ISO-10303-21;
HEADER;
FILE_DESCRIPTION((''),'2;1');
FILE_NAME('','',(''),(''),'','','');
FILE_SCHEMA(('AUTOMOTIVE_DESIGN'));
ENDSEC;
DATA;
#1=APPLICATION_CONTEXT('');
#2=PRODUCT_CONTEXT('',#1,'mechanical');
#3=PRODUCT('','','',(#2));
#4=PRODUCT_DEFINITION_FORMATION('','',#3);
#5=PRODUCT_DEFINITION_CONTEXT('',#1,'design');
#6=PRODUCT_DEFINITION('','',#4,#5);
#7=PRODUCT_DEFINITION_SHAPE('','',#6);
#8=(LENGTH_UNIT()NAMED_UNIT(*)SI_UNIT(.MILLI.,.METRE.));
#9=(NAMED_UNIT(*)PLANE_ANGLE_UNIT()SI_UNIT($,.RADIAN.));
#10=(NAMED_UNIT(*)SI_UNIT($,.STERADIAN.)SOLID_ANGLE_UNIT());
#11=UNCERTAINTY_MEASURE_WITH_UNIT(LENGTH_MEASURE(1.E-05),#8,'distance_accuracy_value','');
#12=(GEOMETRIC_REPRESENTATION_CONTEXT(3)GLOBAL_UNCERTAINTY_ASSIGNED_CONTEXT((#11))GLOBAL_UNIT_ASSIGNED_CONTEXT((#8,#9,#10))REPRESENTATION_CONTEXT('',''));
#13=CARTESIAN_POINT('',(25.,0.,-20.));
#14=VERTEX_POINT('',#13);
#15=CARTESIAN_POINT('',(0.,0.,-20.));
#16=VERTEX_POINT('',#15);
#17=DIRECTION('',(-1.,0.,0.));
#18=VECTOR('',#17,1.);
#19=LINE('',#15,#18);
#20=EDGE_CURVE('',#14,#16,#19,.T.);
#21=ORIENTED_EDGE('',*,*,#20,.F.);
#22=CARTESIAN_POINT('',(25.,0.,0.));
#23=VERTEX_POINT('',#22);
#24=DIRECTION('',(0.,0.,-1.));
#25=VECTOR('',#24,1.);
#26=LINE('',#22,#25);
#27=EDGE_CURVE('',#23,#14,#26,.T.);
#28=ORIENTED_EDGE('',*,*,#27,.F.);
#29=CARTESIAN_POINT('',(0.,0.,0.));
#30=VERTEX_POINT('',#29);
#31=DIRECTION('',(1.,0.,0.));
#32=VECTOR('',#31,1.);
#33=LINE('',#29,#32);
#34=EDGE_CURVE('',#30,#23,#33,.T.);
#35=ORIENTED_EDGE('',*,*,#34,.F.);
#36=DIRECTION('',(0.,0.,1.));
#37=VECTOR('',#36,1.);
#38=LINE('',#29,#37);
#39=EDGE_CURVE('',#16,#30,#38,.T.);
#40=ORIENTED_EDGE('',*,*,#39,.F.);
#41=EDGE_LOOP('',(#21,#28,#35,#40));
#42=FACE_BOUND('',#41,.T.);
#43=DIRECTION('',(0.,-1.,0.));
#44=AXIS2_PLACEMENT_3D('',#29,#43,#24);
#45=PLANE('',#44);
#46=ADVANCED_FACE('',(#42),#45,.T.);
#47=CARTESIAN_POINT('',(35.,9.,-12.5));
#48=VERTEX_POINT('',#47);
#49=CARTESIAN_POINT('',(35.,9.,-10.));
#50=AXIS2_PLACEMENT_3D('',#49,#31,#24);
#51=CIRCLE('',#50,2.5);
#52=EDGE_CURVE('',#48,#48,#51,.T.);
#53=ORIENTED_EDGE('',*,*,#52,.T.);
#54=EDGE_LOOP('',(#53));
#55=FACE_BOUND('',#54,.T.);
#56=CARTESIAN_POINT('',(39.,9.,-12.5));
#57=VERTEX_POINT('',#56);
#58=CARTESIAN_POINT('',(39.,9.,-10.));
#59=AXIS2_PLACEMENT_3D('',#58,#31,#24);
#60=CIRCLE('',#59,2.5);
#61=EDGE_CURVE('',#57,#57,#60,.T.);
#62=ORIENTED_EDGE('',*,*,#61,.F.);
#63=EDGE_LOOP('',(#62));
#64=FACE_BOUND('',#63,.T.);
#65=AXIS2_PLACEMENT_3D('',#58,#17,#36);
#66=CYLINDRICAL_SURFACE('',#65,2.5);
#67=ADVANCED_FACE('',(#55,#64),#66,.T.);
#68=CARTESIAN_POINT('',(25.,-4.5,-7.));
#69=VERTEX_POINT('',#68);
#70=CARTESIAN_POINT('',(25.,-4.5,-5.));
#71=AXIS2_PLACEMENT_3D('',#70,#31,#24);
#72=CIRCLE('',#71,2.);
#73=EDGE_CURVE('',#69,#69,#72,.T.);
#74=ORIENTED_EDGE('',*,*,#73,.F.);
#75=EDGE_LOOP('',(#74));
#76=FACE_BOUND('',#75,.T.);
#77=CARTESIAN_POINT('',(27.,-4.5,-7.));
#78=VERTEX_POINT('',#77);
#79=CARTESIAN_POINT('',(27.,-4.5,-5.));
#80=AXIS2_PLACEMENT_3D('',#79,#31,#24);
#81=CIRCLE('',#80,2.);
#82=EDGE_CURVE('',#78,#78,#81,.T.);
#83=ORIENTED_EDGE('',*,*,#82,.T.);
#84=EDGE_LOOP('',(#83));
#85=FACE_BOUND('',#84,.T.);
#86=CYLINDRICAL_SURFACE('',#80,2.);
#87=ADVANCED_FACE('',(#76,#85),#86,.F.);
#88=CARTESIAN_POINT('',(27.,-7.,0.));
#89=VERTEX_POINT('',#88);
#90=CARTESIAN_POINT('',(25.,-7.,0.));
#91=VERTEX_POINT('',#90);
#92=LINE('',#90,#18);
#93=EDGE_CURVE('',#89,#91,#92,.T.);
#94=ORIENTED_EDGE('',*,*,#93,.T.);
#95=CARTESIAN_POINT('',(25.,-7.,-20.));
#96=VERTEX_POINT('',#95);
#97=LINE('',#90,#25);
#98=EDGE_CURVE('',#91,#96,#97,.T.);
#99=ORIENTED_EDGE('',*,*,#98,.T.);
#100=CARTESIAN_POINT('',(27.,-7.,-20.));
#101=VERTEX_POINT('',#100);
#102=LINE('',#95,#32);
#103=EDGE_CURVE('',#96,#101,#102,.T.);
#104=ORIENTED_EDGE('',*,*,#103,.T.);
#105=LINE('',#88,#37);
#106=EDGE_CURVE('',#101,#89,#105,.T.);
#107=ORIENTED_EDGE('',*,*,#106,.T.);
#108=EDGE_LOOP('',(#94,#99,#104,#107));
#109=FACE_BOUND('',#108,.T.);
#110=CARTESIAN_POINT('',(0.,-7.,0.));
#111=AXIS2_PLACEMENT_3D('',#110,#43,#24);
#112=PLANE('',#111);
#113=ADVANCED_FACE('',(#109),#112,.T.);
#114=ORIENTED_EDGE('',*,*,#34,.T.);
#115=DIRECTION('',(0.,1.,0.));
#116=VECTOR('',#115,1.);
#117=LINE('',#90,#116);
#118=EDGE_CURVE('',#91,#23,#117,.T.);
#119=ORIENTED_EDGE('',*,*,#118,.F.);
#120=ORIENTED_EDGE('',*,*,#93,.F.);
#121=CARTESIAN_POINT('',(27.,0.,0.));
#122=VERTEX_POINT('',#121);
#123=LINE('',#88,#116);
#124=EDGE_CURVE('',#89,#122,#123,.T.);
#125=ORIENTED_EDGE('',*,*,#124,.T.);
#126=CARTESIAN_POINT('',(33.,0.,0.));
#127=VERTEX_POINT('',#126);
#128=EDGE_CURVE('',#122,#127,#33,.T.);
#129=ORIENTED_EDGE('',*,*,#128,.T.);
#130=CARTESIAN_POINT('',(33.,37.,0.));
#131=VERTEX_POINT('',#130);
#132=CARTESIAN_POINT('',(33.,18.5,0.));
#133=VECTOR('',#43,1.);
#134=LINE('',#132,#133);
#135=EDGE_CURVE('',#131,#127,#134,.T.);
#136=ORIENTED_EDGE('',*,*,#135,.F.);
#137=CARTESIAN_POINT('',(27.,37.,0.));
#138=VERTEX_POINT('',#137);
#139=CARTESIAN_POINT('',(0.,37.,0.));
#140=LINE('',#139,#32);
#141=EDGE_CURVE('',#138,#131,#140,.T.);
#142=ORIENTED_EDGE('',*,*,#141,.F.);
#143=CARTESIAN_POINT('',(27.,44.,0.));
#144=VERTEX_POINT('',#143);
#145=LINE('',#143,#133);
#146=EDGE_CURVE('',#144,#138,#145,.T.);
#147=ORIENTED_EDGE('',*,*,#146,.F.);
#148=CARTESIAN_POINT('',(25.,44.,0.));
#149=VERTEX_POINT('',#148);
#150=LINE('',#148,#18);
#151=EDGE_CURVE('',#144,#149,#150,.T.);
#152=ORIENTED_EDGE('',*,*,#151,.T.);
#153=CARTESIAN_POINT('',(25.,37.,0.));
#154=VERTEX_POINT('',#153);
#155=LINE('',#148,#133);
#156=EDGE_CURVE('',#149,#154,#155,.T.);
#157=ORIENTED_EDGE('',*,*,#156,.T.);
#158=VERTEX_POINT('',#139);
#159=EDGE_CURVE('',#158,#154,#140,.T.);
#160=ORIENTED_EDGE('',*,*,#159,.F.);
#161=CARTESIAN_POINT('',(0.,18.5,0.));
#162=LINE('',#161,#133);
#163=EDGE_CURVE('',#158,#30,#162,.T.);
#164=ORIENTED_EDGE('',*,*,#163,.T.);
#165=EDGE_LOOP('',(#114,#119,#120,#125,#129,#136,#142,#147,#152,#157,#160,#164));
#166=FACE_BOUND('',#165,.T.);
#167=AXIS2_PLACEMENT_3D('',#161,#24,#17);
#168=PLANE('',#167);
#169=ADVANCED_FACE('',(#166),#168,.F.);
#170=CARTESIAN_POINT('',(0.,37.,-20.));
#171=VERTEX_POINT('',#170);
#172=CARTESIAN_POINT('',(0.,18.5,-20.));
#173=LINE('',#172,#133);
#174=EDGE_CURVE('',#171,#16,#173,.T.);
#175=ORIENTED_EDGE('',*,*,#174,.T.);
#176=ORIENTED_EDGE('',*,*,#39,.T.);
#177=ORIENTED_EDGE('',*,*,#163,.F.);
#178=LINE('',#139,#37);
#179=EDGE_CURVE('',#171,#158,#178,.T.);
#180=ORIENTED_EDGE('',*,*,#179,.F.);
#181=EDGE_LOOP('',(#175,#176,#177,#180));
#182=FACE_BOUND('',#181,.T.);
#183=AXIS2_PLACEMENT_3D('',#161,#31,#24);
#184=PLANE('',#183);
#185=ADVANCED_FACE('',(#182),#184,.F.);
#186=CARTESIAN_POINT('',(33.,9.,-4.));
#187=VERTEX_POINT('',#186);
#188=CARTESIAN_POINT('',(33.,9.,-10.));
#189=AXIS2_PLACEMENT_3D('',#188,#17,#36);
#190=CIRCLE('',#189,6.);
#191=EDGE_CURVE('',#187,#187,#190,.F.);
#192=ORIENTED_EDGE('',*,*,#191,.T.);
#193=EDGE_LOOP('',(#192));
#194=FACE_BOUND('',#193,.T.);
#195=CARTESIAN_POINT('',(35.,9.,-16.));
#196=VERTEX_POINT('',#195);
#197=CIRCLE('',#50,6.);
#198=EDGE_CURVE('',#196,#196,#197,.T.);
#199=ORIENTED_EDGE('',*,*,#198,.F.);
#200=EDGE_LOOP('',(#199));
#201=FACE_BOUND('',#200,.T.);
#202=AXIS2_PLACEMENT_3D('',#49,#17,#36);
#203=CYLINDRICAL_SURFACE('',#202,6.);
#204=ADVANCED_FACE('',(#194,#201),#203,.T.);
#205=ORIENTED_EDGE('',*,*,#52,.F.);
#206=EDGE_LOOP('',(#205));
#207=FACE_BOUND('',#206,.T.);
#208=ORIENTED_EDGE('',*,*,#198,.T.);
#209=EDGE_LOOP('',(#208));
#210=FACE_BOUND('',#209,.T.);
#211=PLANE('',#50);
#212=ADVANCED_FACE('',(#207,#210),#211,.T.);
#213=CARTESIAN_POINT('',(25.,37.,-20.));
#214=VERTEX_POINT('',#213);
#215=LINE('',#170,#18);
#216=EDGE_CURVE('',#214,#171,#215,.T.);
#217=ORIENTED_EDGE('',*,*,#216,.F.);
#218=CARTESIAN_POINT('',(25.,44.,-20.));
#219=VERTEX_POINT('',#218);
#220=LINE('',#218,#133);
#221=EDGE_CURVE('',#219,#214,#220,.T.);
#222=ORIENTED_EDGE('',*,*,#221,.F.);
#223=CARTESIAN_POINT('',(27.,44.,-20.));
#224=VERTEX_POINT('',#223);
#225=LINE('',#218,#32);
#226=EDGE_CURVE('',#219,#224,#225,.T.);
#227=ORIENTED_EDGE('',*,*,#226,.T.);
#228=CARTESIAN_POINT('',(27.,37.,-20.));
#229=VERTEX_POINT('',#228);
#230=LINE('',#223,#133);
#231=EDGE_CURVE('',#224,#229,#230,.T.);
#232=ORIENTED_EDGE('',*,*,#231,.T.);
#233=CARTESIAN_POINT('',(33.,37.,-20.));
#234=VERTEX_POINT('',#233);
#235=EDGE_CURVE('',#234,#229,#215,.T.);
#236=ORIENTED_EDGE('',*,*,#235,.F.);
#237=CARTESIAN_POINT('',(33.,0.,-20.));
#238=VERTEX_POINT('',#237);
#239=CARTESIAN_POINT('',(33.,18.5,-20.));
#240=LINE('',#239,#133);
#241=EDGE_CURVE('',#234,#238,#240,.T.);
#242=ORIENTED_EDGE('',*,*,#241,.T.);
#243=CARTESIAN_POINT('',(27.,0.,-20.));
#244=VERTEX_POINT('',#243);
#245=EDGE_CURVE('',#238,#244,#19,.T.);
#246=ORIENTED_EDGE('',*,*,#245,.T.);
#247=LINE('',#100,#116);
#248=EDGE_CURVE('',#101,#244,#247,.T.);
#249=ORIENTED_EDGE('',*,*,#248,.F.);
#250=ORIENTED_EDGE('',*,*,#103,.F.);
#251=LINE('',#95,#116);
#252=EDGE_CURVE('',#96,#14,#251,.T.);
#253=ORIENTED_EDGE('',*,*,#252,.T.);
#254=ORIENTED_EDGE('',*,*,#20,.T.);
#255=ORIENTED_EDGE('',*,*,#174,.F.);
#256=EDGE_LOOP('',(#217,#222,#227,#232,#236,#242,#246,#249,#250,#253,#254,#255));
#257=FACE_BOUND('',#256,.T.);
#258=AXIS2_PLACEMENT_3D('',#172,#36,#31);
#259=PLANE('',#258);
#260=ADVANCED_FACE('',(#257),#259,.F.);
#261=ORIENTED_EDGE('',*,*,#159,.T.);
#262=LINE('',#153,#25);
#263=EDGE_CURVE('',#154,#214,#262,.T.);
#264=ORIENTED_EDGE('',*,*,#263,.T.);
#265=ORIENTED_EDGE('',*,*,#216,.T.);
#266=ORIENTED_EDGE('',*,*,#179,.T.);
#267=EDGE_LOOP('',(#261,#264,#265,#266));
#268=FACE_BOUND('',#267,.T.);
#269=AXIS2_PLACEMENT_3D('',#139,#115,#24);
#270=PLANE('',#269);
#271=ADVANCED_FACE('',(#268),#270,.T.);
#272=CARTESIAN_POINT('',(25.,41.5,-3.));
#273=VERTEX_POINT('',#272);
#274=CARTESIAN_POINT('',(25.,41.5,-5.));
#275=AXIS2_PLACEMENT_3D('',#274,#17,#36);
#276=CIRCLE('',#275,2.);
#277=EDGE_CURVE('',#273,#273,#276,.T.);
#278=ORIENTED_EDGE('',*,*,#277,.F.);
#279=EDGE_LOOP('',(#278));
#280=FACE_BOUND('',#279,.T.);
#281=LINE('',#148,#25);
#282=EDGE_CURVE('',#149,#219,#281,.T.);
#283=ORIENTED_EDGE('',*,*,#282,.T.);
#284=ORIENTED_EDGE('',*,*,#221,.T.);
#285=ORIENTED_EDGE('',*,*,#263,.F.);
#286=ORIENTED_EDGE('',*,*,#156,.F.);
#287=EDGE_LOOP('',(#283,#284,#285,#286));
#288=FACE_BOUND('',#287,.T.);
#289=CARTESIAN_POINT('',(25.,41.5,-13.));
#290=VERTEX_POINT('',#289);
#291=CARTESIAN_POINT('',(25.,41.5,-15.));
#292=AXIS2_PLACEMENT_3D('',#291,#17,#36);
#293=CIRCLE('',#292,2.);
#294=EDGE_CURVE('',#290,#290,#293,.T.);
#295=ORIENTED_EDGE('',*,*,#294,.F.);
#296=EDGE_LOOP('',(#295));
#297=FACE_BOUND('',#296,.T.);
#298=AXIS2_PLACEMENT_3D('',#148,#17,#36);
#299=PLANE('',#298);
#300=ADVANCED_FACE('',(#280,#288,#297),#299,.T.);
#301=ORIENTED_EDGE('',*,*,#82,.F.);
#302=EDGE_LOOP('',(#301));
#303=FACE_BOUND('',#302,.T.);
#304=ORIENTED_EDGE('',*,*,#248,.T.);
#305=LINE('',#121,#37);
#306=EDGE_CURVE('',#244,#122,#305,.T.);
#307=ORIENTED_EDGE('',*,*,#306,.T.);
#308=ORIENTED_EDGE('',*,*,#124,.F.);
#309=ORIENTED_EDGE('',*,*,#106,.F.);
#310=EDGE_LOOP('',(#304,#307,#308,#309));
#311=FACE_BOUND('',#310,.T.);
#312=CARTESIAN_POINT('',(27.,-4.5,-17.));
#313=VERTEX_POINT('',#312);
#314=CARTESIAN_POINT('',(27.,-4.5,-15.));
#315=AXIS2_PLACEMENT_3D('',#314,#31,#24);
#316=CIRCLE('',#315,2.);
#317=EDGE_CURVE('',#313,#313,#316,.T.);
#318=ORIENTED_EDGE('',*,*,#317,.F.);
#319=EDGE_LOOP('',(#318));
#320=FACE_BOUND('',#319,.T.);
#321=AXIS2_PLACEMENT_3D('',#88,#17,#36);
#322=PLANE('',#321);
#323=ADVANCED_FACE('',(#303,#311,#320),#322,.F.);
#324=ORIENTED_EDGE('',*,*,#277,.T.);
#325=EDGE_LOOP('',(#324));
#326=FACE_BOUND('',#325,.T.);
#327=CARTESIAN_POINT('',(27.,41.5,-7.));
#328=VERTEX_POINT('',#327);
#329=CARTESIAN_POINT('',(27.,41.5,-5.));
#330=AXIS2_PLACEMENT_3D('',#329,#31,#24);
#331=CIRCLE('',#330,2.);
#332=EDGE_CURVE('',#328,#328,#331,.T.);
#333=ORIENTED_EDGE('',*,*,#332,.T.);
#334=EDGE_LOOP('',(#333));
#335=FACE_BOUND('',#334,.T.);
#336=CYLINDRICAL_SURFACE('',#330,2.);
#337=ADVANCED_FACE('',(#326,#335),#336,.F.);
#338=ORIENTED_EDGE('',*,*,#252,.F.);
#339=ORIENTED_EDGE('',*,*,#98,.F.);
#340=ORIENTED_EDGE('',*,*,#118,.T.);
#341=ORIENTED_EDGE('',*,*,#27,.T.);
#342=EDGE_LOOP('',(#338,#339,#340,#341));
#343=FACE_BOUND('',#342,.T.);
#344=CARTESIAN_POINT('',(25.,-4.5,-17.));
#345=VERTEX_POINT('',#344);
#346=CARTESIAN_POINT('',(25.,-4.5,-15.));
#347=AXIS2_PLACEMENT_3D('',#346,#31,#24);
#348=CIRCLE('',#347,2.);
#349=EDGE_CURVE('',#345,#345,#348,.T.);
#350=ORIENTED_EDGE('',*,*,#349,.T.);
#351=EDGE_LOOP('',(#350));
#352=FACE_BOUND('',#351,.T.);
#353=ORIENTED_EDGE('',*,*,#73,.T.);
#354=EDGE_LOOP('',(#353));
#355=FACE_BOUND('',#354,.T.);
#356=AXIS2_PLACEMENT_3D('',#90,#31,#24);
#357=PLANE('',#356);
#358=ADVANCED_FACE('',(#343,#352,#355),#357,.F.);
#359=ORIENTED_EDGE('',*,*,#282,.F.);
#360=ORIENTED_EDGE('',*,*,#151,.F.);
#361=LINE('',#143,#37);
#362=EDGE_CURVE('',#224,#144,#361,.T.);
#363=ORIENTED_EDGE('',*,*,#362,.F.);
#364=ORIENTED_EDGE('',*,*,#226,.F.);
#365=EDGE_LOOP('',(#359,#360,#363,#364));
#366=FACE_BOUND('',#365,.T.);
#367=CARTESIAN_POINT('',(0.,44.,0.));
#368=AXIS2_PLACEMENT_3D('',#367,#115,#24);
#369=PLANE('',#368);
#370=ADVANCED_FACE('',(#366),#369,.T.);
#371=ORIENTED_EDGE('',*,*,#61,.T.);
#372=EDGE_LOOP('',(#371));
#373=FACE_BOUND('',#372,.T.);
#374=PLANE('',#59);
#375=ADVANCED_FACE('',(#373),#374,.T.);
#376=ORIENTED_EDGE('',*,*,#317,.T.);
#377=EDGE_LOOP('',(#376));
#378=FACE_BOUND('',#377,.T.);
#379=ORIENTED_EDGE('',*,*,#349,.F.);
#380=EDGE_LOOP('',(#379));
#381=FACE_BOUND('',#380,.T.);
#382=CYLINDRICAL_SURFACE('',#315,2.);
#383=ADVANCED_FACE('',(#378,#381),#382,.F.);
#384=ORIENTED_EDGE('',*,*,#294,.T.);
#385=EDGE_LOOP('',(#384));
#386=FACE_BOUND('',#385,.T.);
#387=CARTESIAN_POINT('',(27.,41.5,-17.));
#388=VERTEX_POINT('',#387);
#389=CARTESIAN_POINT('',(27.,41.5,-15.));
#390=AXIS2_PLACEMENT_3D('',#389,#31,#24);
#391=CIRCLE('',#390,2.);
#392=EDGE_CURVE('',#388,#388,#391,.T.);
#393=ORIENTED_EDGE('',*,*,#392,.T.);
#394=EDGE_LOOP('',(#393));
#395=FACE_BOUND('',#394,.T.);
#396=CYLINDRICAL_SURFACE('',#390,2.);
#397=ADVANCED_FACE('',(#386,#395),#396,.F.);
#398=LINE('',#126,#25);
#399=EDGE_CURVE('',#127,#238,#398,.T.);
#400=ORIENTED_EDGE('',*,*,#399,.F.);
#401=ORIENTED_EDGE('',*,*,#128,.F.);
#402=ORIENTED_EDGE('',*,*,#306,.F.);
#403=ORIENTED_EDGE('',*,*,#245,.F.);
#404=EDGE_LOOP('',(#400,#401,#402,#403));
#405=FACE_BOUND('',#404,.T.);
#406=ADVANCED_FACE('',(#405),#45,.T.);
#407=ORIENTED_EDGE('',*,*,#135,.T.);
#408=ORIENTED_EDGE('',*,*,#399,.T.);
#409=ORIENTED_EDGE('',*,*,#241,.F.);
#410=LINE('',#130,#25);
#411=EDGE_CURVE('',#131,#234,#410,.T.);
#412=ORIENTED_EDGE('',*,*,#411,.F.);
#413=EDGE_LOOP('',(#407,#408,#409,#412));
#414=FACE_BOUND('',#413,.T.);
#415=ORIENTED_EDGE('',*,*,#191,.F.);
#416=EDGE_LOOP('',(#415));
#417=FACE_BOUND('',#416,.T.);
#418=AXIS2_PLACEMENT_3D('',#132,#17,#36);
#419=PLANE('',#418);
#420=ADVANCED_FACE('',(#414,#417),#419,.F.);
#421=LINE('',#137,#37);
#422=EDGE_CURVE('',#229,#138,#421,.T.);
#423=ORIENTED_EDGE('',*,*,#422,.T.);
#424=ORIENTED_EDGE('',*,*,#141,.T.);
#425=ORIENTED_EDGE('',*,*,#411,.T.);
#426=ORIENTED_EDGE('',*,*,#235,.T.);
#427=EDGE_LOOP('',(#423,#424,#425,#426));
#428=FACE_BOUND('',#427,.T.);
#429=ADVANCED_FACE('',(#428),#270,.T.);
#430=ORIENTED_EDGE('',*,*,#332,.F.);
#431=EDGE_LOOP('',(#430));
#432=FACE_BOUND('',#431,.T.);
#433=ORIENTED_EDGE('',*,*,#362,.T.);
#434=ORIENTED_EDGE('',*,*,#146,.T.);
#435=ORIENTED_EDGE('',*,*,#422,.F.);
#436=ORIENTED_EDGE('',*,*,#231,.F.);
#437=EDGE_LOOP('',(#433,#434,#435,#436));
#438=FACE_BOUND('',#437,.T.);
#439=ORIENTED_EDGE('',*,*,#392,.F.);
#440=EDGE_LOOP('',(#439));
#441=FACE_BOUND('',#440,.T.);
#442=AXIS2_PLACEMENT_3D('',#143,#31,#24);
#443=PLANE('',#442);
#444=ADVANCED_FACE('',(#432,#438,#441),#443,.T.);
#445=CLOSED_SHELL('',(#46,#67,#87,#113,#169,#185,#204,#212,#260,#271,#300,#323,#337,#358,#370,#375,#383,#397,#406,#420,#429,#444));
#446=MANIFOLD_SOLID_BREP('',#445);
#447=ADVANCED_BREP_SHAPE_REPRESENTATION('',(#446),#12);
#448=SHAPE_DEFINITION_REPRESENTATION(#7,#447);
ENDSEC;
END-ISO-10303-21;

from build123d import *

# Parameters (mm, degrees)
ESQUISSE2_W                   = 33
ESQUISSE2_H                   = 20
BOSS_EXTRU_1_DEPTH            = 18.5
ESQUISSE3_W                   = 2
ESQUISSE3_H                   = 20
BOSS_EXTRU_2_DEPTH            = 7
ESQUISSE4_R                   = 6
BOSS_EXTRU_3_DEPTH            = 2
ESQUISSE5_R                   = 2.5
BOSS_EXTRU_4_DEPTH            = 4
DIAM_TRE_DU_PER_AGE_4_0_4_1_D = 4


with BuildPart() as part:
    # Esquisse2 → Boss.-Extru.1 (new body)
    with BuildSketch(Plane(origin=(0, 0, 0), x_dir=(1, 0, 0), z_dir=(0, 1, 0))):
        with Locations((16.5, 10)):
            Rectangle(ESQUISSE2_W, ESQUISSE2_H)
    boss_extru_1 = extrude(amount=BOSS_EXTRU_1_DEPTH)

    # Esquisse3 → Boss.-Extru.2 (add)
    with BuildSketch(Plane.XZ):
        with Locations((26, -10)):
            Rectangle(ESQUISSE3_W, ESQUISSE3_H)
    boss_extru_2 = extrude(amount=BOSS_EXTRU_2_DEPTH)

    # Symétrie1: Boss.-Extru.1, Boss.-Extru.2 across plane
    add(boss_extru_1.mirror(Plane(origin=(0, 18.5, 0), x_dir=(0, 0, 1), z_dir=(0, -1, 0))))
    add(boss_extru_2.mirror(Plane(origin=(0, 18.5, 0), x_dir=(0, 0, 1), z_dir=(0, -1, 0))))

    # Esquisse4 → Boss.-Extru.3 (add)
    with BuildSketch(Plane(origin=(33, 0, 0), x_dir=(0, 0, -1), z_dir=(1, 0, 0))):
        with Locations(Location((10, 9, 0), (0, 0, 180))):
            Circle(ESQUISSE4_R)
    extrude(amount=BOSS_EXTRU_3_DEPTH)

    # Esquisse5 → Boss.-Extru.4 (add)
    with BuildSketch(Plane(origin=(35, 0, 0), x_dir=(0, 0, -1), z_dir=(1, 0, 0))):
        with Locations((10, 9)):
            Circle(ESQUISSE5_R)
    extrude(amount=BOSS_EXTRU_4_DEPTH)

    # Diamètre du perçage Ø4.0 (4)1 (through all)
    with Locations(Plane(origin=(27, 0, 0), x_dir=(0, 0, -1), z_dir=(1, 0, 0))):
        with Locations((15, 41.5), (5, 41.5), (15, -4.5), (5, -4.5)):
            Hole(DIAM_TRE_DU_PER_AGE_4_0_4_1_D / 2)


solid = part.part
